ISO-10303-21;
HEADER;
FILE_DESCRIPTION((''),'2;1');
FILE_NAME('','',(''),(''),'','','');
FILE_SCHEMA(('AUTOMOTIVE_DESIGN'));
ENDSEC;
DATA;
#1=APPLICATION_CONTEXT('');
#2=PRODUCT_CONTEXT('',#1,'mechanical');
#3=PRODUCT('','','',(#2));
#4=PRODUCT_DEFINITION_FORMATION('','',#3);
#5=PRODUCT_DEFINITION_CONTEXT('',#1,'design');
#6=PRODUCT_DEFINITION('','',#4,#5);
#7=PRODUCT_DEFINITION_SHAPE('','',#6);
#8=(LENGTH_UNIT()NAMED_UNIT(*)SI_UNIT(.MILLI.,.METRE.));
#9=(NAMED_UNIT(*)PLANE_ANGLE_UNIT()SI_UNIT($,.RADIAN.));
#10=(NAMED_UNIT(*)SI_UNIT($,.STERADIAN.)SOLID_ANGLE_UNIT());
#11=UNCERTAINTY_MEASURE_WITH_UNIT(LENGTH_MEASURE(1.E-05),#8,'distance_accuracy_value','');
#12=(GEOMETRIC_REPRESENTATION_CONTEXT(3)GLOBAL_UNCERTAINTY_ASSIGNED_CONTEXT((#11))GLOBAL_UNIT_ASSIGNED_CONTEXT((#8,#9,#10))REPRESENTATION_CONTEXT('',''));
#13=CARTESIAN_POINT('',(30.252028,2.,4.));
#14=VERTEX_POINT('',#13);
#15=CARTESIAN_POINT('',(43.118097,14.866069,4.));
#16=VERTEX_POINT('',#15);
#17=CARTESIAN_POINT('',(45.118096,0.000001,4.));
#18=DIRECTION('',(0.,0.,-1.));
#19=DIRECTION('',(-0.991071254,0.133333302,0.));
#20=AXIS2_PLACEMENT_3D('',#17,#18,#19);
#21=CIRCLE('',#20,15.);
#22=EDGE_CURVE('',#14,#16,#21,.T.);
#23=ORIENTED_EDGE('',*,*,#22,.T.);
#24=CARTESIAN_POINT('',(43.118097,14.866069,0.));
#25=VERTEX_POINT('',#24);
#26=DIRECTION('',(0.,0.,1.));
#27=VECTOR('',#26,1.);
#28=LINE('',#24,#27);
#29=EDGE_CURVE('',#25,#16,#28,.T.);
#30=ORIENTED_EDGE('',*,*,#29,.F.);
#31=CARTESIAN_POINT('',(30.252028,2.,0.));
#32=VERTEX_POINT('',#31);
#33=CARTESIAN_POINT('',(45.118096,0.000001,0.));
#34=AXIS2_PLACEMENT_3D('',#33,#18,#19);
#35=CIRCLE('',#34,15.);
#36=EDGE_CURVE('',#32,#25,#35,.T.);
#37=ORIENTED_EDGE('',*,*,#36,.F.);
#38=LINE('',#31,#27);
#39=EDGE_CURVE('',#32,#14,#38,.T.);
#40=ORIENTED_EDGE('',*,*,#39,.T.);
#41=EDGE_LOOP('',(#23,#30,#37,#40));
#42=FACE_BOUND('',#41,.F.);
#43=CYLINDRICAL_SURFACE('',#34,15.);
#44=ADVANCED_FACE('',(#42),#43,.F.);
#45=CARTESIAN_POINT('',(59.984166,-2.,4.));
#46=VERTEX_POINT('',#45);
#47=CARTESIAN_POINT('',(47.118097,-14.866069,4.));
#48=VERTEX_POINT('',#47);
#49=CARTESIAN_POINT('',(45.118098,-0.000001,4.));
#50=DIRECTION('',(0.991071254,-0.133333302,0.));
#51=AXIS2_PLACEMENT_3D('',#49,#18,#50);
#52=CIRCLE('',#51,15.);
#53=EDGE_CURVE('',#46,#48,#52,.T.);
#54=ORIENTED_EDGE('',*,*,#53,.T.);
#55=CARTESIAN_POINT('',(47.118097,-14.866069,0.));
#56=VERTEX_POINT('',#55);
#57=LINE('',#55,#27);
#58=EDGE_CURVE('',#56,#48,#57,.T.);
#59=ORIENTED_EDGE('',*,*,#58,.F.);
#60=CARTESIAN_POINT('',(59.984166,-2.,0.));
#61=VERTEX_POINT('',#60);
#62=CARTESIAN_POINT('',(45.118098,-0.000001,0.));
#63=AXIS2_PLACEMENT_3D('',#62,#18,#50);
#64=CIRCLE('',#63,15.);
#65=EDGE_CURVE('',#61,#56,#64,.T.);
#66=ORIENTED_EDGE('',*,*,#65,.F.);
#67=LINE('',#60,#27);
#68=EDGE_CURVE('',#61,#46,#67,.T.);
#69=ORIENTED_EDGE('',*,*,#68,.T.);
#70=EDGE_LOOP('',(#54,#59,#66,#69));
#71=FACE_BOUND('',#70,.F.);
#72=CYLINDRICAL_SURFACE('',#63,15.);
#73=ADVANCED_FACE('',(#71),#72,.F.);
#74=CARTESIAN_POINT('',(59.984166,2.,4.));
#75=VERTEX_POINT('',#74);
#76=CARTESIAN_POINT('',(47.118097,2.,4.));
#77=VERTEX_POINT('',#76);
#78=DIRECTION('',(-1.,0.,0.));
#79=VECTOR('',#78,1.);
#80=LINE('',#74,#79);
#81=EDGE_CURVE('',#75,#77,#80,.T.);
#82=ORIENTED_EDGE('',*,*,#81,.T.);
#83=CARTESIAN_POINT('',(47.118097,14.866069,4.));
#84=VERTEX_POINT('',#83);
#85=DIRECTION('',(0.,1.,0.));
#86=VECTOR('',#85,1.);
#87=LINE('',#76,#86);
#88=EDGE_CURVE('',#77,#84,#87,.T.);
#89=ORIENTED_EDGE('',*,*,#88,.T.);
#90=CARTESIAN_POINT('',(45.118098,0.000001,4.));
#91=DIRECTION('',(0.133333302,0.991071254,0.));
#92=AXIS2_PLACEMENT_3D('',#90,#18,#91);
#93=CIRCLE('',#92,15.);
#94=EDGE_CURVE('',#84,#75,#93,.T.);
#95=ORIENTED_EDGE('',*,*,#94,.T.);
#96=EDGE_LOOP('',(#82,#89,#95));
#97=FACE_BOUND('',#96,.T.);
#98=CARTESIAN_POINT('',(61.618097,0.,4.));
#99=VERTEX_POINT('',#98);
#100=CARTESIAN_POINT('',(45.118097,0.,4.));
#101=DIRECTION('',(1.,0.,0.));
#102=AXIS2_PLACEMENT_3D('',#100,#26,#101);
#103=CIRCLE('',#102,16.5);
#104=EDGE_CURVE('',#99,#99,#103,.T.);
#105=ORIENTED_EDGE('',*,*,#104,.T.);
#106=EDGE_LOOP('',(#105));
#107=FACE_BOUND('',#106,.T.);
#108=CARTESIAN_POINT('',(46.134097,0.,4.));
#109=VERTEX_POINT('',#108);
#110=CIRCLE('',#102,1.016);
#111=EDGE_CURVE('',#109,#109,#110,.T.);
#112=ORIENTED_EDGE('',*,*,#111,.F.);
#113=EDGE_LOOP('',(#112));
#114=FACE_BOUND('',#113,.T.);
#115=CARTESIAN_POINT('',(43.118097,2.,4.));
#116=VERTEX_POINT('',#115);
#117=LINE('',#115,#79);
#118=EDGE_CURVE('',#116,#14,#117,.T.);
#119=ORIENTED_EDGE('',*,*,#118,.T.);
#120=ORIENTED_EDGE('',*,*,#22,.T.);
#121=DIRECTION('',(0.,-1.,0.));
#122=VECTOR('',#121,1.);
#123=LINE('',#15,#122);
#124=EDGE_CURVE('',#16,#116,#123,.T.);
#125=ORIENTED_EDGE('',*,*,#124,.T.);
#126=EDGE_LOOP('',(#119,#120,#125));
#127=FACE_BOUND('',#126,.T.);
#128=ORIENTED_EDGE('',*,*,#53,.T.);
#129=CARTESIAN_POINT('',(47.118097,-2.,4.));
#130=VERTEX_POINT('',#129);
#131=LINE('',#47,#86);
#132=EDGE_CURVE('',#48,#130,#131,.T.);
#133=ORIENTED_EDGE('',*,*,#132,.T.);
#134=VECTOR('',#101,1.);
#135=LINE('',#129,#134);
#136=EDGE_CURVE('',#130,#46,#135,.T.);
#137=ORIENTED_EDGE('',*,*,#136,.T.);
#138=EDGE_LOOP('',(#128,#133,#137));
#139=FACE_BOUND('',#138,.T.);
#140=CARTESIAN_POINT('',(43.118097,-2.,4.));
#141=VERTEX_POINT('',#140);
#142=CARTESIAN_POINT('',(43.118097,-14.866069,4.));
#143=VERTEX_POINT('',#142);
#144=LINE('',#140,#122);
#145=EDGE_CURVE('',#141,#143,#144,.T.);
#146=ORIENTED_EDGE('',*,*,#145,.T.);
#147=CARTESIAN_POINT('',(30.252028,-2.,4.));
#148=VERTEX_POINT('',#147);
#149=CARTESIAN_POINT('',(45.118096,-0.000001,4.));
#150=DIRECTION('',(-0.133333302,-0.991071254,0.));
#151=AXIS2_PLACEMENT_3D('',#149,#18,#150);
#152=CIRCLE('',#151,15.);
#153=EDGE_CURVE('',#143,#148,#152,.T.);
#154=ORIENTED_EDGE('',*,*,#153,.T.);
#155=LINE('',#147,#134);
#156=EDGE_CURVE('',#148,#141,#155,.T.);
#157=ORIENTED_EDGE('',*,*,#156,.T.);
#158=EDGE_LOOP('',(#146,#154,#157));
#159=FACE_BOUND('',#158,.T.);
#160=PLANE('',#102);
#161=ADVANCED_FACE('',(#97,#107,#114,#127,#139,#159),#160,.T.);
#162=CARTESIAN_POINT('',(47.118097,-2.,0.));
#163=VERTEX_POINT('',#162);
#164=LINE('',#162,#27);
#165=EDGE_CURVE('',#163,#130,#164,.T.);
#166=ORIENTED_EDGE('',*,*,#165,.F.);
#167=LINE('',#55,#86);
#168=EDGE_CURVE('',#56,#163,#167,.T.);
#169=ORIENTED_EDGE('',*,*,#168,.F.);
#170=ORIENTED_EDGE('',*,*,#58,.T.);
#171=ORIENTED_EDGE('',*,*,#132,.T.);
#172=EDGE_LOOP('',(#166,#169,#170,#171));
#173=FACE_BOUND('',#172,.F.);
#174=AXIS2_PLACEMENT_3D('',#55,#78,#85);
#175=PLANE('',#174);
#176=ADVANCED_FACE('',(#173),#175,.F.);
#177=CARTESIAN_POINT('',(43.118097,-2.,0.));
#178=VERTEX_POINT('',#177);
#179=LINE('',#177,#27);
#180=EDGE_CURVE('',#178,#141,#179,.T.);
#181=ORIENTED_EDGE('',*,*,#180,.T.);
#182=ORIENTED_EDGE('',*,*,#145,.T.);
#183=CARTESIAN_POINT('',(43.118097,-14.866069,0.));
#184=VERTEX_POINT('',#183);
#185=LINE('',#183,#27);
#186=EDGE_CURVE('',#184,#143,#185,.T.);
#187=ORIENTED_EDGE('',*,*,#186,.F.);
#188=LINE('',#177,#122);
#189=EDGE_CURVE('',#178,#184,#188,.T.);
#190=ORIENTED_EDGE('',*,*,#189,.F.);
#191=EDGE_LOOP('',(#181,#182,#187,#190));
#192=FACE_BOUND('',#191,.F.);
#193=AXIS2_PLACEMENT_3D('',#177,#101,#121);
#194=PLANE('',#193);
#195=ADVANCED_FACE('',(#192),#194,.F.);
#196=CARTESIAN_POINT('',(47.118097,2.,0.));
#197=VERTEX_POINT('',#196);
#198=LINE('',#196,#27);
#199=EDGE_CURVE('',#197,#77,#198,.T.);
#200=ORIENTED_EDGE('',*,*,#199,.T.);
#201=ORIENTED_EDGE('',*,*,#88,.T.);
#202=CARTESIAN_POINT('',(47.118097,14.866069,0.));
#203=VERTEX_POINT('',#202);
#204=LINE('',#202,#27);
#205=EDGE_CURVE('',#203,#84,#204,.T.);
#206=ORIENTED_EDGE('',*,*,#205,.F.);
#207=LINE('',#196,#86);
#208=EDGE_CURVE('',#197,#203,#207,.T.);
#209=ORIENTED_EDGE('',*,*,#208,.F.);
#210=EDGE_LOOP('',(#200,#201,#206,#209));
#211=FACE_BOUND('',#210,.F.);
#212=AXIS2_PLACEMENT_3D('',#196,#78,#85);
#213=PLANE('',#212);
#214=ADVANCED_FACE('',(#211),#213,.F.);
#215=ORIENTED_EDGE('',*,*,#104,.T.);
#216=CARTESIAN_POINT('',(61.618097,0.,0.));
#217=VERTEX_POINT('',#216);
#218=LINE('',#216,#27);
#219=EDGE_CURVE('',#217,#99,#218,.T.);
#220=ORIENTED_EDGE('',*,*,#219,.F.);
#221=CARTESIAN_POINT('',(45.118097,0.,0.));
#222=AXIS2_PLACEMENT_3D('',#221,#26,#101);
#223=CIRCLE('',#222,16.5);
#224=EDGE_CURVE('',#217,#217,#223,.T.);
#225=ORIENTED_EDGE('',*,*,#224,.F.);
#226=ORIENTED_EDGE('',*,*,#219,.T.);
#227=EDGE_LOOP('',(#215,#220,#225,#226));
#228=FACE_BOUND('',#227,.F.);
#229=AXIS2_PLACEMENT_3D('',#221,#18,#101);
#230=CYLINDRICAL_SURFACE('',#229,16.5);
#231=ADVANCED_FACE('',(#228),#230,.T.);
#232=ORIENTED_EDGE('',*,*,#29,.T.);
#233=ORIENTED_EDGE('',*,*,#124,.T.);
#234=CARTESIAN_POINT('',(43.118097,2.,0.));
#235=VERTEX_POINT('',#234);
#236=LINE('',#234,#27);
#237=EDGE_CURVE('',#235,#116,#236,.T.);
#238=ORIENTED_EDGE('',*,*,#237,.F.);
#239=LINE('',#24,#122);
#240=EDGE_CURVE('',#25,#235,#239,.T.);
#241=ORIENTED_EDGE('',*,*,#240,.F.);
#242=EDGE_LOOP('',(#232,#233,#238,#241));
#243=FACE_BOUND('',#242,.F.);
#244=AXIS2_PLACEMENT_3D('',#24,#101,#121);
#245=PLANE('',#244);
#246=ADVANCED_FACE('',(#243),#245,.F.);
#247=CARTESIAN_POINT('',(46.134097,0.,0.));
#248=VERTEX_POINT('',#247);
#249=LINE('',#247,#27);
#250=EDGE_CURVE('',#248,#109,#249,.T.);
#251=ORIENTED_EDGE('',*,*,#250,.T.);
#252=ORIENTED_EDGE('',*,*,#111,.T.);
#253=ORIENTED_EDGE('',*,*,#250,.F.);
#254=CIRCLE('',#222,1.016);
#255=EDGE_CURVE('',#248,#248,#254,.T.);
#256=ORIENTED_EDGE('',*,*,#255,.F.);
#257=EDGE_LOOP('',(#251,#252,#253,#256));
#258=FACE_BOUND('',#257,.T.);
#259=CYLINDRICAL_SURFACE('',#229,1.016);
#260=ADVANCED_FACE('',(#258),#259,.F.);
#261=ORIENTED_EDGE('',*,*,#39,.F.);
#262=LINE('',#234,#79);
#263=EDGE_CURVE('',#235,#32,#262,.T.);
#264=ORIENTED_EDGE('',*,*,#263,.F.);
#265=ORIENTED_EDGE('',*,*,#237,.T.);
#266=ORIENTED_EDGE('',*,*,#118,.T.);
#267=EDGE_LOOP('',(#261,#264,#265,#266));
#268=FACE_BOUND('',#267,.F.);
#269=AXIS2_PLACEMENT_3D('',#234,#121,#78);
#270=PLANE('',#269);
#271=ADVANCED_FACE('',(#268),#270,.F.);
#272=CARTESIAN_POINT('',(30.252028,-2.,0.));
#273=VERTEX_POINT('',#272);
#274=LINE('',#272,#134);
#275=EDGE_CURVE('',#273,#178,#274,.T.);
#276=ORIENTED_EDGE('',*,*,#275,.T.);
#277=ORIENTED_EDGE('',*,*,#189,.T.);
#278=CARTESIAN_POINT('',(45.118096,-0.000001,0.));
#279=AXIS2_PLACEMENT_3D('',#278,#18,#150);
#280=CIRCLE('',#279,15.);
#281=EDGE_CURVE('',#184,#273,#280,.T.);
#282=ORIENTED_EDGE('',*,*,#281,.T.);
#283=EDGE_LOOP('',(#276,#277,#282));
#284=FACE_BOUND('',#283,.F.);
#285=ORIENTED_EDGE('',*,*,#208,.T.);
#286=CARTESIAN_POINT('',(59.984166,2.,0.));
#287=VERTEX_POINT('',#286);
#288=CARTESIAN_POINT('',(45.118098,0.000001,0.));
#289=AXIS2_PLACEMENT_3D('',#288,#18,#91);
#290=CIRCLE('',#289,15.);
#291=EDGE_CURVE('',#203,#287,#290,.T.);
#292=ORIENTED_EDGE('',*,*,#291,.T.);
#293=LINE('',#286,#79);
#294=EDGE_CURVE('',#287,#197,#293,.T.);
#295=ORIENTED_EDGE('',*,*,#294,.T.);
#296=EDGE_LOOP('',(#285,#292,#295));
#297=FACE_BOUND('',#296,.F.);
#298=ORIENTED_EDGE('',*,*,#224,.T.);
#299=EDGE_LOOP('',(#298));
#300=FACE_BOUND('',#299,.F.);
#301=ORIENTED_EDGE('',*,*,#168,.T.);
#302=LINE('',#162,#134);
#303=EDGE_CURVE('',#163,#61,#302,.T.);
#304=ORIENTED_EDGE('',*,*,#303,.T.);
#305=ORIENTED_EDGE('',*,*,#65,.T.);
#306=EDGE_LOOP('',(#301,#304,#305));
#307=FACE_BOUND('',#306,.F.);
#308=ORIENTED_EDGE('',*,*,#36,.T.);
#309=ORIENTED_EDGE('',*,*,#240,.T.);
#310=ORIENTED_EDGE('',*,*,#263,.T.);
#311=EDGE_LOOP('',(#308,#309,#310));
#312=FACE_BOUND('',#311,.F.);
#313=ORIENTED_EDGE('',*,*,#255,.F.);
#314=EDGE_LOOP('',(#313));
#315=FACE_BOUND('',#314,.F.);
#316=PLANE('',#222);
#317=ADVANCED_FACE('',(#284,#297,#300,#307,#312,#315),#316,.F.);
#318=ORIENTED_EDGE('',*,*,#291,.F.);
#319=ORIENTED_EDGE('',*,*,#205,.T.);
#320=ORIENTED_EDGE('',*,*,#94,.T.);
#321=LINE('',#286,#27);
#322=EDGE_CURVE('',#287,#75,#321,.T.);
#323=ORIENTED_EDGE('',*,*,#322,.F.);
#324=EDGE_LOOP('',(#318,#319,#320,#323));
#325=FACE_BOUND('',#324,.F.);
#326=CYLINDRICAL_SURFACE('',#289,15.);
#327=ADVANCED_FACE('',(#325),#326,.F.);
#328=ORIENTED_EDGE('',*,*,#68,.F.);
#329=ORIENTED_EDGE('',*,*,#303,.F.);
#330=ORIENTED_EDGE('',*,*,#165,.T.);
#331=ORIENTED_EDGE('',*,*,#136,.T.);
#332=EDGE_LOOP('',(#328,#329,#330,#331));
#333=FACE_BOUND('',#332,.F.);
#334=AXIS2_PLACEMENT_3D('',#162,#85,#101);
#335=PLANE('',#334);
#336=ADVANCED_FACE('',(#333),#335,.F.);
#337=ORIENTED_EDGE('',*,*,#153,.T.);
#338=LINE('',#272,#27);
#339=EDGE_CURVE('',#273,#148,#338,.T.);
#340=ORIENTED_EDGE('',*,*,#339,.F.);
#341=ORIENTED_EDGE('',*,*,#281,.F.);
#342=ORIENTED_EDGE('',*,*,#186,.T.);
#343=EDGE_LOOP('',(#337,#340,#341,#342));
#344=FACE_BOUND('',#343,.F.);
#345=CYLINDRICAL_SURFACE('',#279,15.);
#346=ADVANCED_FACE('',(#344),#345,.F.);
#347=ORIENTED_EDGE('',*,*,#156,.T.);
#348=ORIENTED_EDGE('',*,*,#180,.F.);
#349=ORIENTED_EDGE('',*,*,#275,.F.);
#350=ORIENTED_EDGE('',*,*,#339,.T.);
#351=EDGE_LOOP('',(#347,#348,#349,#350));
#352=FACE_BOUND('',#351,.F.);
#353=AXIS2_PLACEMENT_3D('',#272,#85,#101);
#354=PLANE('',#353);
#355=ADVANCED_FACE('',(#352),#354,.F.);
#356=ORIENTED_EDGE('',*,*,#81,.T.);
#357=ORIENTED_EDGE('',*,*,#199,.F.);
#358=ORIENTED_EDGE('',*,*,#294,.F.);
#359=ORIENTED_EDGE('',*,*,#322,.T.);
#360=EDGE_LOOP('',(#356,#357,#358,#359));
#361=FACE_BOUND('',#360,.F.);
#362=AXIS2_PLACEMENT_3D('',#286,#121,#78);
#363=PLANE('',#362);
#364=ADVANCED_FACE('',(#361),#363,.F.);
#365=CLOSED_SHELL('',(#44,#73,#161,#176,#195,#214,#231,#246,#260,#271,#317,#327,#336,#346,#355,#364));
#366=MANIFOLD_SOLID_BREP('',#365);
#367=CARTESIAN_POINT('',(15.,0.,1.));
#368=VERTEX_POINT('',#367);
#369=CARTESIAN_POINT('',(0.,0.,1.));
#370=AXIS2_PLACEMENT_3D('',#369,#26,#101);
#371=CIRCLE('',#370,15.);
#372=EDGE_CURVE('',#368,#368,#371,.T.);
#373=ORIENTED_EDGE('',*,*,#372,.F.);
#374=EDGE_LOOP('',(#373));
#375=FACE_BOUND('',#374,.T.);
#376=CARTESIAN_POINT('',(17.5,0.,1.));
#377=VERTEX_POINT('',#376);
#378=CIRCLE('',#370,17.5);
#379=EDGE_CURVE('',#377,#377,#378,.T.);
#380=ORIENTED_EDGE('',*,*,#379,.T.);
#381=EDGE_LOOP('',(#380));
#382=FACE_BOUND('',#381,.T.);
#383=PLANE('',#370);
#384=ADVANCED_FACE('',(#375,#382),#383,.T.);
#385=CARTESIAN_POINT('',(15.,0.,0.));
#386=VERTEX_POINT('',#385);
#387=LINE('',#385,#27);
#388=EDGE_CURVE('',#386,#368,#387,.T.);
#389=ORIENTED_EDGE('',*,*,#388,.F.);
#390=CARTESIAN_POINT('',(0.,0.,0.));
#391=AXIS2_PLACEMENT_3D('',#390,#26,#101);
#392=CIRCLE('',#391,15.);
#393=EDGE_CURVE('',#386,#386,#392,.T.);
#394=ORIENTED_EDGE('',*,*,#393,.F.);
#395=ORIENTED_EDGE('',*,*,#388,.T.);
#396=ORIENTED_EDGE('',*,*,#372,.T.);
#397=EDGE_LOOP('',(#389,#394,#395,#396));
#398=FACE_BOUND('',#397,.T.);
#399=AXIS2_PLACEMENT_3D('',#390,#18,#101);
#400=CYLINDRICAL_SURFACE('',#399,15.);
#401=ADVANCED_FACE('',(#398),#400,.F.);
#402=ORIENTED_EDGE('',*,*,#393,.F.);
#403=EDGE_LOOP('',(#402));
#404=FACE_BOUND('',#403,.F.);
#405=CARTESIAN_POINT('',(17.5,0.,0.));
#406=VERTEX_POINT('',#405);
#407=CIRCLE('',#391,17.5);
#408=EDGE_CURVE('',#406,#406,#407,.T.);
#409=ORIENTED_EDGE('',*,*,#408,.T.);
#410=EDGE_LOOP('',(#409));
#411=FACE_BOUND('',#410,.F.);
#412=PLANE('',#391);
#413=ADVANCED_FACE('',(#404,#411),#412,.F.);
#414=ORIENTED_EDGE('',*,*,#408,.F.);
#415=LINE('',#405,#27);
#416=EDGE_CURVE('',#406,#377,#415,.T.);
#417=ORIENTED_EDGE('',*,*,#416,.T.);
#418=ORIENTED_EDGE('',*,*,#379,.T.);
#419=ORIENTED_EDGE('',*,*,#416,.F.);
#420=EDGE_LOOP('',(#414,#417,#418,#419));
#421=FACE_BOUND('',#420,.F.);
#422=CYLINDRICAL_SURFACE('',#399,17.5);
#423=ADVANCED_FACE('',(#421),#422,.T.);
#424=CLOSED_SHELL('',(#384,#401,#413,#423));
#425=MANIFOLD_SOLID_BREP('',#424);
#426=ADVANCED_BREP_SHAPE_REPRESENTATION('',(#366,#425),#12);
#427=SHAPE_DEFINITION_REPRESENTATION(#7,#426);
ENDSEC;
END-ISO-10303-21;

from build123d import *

# Parameters (mm, degrees)
F0_R     = 17.5
F0_R_2   = 15
F1_DEPTH = 1
F0_R_3   = 16.5
F0_R_4   = 1.016
F2_DEPTH = 4


with BuildPart() as f1:
    # F0 (on Top) → F1 (new body)
    with BuildSketch(Plane.XY):
        Circle(F0_R)
        Circle(F0_R_2, mode=Mode.SUBTRACT)
    extrude(amount=F1_DEPTH)


with BuildPart() as f2:
    # F0 (on Top) → F2 (new body)
    with BuildSketch(Plane.XY):
        with Locations((45.118097, 0)):
            Circle(F0_R_3)
        with BuildLine():
            ThreePointArc((43.118097, -14.866069), (34.511495, -10.606602), (30.252028, -2))
            Line((30.252028, -2), (43.118097, -2))
            Line((43.118097, -2), (43.118097, -14.866069))
        make_face(mode=Mode.SUBTRACT)
        with BuildLine():
            ThreePointArc((59.984166, -2), (55.724699, -10.606602), (47.118097, -14.866069))
            Line((47.118097, -14.866069), (47.118097, -2))
            Line((47.118097, -2), (59.984166, -2))
        make_face(mode=Mode.SUBTRACT)
        with BuildLine():
            ThreePointArc((30.252028, 2), (34.511495, 10.606602), (43.118097, 14.866069))
            Line((43.118097, 14.866069), (43.118097, 2))
            Line((43.118097, 2), (30.252028, 2))
        make_face(mode=Mode.SUBTRACT)
        with Locations((45.118097, 0)):
            Circle(F0_R_4, mode=Mode.SUBTRACT)
        with BuildLine():
            Line((47.118097, 2), (47.118097, 14.866069))
            ThreePointArc((47.118097, 14.866069), (55.724699, 10.606602), (59.984166, 2))
            Line((59.984166, 2), (47.118097, 2))
        make_face(mode=Mode.SUBTRACT)
    extrude(amount=F2_DEPTH)


solid = Compound([f1.part, f2.part])
